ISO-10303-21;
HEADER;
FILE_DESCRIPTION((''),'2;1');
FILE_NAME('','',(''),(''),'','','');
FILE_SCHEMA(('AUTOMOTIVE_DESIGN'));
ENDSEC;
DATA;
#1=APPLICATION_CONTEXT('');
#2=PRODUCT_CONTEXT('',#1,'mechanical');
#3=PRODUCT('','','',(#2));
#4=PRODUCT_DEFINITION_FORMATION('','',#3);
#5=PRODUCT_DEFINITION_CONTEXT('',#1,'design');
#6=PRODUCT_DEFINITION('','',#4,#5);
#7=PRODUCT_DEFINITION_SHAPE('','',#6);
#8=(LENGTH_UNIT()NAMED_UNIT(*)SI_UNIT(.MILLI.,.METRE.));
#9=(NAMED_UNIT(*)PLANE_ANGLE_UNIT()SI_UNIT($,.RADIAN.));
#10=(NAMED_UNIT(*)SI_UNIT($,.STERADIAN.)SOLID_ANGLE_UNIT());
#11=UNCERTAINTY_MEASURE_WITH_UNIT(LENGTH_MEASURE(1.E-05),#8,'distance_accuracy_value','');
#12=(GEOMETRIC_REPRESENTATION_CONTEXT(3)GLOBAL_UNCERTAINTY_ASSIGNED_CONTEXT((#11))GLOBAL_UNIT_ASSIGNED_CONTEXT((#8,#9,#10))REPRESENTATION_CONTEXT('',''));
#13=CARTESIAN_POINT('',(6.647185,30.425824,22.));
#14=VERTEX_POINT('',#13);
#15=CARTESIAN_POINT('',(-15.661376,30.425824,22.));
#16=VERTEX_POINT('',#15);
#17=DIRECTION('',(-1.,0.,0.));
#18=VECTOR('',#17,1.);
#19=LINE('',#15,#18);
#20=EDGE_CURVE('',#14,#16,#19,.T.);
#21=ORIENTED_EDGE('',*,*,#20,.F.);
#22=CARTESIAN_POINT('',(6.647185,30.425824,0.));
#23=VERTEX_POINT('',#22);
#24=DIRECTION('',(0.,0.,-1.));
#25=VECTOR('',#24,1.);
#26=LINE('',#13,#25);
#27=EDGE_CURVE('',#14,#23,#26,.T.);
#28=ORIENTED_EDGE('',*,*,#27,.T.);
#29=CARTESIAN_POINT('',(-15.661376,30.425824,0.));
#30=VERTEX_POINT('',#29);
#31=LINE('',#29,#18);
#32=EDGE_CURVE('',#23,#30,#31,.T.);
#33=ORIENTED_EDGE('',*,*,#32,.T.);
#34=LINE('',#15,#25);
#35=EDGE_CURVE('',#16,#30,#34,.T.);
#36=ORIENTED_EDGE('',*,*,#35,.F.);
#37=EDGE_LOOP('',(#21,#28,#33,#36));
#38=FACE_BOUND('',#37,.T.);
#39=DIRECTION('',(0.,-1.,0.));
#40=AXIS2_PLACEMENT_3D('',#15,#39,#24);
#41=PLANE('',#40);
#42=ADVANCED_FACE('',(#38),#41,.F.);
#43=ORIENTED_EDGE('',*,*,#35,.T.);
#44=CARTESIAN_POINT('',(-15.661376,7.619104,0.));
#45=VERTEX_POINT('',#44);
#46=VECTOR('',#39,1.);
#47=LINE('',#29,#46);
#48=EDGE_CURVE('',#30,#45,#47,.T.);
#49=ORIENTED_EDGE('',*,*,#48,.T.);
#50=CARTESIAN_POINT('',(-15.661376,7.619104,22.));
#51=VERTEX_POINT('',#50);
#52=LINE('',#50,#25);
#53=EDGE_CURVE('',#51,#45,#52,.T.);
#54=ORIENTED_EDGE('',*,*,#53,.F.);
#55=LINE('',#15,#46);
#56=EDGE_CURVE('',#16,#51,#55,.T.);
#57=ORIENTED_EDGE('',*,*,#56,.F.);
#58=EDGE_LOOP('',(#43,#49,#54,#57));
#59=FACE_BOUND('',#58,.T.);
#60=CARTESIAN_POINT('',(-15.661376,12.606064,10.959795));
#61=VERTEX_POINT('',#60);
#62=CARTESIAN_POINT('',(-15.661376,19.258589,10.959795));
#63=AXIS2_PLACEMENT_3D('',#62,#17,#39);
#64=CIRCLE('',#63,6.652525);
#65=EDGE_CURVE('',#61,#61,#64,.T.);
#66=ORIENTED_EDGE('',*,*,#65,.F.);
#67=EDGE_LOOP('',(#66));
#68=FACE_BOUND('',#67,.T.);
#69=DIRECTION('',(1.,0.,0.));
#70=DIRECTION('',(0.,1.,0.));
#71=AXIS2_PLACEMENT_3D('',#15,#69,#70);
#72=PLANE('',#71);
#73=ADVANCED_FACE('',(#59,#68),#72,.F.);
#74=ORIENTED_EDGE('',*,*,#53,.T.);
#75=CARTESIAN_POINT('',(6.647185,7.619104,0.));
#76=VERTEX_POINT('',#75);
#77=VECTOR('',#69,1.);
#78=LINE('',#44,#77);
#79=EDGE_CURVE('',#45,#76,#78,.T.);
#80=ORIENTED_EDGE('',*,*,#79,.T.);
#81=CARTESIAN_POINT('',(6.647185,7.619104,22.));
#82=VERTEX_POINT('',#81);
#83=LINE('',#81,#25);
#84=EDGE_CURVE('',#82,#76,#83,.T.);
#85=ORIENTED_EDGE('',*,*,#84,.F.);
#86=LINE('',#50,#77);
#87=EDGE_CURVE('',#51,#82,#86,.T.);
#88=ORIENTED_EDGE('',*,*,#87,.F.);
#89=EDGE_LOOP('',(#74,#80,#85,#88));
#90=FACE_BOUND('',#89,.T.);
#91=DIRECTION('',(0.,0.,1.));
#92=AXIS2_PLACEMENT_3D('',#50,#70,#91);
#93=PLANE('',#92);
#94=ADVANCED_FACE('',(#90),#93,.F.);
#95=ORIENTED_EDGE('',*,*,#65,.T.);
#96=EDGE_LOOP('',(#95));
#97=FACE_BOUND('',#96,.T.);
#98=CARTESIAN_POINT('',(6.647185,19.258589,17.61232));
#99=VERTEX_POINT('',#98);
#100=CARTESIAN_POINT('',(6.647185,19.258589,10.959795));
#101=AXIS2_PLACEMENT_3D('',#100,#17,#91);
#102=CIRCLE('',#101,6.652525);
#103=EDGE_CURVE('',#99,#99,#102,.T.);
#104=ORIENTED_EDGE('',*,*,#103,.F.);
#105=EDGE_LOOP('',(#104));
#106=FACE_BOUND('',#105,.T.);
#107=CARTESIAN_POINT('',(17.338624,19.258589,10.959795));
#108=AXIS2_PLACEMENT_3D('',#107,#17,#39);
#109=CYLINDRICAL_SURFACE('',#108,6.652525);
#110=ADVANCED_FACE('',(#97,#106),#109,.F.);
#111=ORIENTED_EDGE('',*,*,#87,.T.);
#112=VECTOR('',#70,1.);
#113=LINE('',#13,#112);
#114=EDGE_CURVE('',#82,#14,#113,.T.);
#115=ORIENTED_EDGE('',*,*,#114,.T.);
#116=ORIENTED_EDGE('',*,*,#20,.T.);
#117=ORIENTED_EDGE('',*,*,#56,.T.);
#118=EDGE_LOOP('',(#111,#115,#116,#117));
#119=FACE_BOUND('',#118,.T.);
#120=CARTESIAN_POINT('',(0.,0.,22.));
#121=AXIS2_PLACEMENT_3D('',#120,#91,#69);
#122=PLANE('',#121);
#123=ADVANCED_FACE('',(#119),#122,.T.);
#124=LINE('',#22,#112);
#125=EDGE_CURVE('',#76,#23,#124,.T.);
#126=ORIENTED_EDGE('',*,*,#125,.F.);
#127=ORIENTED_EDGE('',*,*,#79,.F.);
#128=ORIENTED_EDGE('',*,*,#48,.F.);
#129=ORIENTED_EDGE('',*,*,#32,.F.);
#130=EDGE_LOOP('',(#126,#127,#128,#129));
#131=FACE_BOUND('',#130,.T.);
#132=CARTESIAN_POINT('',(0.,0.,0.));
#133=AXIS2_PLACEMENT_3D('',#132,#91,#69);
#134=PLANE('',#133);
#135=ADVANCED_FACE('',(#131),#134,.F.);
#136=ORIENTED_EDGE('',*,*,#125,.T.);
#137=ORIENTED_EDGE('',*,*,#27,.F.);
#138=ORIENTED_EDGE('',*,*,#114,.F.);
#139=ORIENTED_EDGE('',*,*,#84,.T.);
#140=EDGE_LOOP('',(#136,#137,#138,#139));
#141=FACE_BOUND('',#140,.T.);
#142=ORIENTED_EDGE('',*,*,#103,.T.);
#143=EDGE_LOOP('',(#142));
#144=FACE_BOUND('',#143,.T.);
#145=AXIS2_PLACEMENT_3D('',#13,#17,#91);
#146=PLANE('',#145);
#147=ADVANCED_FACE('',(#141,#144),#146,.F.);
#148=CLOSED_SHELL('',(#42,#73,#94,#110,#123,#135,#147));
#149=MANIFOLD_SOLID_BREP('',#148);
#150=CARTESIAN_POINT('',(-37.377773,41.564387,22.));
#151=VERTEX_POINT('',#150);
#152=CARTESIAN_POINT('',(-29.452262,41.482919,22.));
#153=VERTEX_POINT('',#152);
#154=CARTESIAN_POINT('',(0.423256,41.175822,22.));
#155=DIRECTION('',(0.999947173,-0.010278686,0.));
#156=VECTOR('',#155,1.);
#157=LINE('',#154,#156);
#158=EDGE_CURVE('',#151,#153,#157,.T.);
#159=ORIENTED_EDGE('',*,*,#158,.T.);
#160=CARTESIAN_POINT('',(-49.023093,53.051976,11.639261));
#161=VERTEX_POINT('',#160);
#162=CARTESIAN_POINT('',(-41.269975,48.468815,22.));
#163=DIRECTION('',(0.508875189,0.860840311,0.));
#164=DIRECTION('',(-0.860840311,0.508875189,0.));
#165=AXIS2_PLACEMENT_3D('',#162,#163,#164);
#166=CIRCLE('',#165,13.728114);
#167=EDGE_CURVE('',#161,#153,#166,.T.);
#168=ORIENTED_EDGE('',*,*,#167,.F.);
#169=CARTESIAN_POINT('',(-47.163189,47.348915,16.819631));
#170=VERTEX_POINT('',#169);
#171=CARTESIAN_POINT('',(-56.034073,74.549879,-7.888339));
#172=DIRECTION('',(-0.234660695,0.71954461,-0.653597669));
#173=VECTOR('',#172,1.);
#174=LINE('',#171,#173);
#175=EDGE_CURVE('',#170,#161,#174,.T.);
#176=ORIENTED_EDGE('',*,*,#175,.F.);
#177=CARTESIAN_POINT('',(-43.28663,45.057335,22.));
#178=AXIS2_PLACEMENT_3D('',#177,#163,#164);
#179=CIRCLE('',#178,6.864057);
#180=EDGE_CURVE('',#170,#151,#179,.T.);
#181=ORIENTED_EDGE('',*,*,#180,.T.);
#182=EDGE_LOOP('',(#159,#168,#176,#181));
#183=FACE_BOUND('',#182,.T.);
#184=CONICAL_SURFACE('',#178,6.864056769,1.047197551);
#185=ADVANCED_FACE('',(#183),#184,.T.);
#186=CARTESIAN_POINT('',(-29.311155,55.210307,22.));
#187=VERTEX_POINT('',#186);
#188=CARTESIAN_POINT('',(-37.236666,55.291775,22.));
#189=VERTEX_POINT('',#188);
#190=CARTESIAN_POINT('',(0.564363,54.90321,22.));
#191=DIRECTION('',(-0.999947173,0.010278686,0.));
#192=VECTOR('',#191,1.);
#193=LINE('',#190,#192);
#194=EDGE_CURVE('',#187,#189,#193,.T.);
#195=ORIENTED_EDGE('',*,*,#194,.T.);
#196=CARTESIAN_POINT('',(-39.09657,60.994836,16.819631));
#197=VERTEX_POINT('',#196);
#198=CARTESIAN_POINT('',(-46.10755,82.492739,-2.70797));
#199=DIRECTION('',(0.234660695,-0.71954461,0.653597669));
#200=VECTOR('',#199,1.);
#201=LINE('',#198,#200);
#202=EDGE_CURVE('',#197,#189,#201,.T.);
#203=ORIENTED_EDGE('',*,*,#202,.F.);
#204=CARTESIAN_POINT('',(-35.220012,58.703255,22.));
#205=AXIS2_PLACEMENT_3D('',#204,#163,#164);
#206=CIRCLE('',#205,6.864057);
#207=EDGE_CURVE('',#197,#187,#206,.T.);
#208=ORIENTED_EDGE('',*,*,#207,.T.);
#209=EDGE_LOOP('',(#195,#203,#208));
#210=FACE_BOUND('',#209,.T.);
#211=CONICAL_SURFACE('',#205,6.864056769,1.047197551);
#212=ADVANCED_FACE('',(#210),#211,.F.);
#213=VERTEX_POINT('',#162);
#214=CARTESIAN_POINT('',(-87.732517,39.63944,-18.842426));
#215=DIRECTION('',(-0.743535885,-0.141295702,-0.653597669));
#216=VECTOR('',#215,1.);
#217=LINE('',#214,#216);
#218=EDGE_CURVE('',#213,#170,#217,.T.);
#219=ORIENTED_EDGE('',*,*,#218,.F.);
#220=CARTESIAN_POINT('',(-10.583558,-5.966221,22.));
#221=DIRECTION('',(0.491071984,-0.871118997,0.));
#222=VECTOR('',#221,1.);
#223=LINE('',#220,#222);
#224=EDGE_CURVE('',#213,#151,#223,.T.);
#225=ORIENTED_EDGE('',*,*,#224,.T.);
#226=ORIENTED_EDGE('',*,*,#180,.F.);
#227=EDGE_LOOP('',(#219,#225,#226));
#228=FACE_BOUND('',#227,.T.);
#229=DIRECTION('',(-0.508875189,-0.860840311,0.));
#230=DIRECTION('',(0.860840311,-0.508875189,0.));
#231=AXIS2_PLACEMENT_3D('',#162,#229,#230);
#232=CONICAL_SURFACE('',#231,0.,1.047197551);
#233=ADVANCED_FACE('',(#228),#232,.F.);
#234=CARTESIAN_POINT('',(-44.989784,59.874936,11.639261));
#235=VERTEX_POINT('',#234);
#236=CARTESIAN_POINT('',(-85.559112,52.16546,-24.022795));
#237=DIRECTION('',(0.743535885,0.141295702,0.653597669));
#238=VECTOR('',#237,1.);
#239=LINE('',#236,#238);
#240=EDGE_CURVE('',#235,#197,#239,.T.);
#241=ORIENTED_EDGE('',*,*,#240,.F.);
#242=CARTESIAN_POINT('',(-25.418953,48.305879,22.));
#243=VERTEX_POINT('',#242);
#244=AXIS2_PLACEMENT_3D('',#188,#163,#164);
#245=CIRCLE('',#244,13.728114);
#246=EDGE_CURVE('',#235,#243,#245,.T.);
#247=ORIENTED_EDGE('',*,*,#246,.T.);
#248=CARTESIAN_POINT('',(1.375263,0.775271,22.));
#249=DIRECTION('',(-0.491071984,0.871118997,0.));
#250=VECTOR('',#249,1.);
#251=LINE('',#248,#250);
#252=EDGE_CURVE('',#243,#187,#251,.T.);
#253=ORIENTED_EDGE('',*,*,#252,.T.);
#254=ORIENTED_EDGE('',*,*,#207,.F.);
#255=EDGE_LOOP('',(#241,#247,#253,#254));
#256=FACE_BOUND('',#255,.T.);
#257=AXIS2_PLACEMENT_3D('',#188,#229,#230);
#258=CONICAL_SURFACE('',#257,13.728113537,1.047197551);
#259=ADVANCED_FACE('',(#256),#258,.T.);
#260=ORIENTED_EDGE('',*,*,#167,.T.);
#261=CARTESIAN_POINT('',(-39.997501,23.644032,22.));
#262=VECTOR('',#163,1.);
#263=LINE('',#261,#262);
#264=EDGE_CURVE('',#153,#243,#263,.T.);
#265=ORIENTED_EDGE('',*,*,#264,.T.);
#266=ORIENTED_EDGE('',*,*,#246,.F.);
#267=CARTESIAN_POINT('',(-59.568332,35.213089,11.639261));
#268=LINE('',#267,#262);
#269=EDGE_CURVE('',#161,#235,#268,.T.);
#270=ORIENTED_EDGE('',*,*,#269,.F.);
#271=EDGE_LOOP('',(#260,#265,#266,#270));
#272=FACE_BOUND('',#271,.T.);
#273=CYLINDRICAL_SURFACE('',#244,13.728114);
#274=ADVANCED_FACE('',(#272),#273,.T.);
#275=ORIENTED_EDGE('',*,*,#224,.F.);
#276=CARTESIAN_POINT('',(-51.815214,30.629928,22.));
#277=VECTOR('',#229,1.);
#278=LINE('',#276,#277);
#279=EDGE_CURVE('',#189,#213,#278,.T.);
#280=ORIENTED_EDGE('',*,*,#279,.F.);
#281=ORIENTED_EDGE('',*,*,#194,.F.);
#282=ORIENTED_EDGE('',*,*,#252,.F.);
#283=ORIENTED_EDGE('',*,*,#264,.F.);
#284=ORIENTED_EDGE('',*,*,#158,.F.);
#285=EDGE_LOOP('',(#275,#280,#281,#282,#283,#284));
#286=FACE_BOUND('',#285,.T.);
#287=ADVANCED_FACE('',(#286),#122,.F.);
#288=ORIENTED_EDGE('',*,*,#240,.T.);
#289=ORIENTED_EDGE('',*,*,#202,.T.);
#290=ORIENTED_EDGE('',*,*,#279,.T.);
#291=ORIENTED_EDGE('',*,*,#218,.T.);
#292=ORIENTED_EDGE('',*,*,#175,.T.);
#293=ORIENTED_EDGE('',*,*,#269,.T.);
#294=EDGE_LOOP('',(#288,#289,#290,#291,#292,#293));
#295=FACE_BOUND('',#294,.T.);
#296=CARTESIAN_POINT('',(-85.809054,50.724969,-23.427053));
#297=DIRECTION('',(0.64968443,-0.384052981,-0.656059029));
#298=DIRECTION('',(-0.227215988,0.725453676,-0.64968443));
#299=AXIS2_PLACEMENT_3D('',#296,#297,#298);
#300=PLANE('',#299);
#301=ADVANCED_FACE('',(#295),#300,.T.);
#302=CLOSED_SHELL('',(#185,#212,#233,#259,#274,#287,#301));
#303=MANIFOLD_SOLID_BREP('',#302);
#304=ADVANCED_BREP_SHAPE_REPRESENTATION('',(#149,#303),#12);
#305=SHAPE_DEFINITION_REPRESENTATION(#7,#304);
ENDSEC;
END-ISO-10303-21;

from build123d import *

# Parameters (mm, degrees)
SKETCH_1_W          = 22.308560603
SKETCH_1_H          = 22.806719796
EXTRUDE_1_DEPTH     = 22
SKETCH_11_R         = 6.652524896
CUT_EXTRUDE_1_DEPTH = 33
REVOLVE_1_ANGLE     = 229


with BuildPart() as part:
    # 草图1 → 凸台-拉伸1 (new body)
    with BuildSketch(Plane.XY):
        with Locations((-4.507095638, 19.02246425)):
            Rectangle(SKETCH_1_W, SKETCH_1_H)
    extrude(amount=EXTRUDE_1_DEPTH)

    # 草图11 → 切除-拉伸1 (cut)
    with BuildSketch(Plane.ZY.offset(15.661375939)):
        with Locations(Location((10.959794673, 19.258589263, 0), (0, 0, 270))):
            Circle(SKETCH_11_R)
    extrude(amount=-CUT_EXTRUDE_1_DEPTH, mode=Mode.SUBTRACT)


with BuildPart() as body_2:
    # 草图16 → 旋转1 (revolve)
    with BuildSketch(Plane(origin=(-29.556896168, 29.643832508, 22), x_dir=(1, 0, 0), z_dir=(0, 0, 1))):
        Polygon((-11.713079065, 18.824982723), (-7.820876875, 11.920554491), (0.104634468, 11.839086348), (4.13794362, 18.662046437), (0.245741431, 25.566474669), (-7.679769912, 25.647942812), align=None)
    revolve(axis=Axis((-37.23666608, 55.29177532, 22), (-0.5088751893161755, -0.860840311380936, 0)), revolution_arc=REVOLVE_1_ANGLE)


solid = Compound([part.part, body_2.part])
